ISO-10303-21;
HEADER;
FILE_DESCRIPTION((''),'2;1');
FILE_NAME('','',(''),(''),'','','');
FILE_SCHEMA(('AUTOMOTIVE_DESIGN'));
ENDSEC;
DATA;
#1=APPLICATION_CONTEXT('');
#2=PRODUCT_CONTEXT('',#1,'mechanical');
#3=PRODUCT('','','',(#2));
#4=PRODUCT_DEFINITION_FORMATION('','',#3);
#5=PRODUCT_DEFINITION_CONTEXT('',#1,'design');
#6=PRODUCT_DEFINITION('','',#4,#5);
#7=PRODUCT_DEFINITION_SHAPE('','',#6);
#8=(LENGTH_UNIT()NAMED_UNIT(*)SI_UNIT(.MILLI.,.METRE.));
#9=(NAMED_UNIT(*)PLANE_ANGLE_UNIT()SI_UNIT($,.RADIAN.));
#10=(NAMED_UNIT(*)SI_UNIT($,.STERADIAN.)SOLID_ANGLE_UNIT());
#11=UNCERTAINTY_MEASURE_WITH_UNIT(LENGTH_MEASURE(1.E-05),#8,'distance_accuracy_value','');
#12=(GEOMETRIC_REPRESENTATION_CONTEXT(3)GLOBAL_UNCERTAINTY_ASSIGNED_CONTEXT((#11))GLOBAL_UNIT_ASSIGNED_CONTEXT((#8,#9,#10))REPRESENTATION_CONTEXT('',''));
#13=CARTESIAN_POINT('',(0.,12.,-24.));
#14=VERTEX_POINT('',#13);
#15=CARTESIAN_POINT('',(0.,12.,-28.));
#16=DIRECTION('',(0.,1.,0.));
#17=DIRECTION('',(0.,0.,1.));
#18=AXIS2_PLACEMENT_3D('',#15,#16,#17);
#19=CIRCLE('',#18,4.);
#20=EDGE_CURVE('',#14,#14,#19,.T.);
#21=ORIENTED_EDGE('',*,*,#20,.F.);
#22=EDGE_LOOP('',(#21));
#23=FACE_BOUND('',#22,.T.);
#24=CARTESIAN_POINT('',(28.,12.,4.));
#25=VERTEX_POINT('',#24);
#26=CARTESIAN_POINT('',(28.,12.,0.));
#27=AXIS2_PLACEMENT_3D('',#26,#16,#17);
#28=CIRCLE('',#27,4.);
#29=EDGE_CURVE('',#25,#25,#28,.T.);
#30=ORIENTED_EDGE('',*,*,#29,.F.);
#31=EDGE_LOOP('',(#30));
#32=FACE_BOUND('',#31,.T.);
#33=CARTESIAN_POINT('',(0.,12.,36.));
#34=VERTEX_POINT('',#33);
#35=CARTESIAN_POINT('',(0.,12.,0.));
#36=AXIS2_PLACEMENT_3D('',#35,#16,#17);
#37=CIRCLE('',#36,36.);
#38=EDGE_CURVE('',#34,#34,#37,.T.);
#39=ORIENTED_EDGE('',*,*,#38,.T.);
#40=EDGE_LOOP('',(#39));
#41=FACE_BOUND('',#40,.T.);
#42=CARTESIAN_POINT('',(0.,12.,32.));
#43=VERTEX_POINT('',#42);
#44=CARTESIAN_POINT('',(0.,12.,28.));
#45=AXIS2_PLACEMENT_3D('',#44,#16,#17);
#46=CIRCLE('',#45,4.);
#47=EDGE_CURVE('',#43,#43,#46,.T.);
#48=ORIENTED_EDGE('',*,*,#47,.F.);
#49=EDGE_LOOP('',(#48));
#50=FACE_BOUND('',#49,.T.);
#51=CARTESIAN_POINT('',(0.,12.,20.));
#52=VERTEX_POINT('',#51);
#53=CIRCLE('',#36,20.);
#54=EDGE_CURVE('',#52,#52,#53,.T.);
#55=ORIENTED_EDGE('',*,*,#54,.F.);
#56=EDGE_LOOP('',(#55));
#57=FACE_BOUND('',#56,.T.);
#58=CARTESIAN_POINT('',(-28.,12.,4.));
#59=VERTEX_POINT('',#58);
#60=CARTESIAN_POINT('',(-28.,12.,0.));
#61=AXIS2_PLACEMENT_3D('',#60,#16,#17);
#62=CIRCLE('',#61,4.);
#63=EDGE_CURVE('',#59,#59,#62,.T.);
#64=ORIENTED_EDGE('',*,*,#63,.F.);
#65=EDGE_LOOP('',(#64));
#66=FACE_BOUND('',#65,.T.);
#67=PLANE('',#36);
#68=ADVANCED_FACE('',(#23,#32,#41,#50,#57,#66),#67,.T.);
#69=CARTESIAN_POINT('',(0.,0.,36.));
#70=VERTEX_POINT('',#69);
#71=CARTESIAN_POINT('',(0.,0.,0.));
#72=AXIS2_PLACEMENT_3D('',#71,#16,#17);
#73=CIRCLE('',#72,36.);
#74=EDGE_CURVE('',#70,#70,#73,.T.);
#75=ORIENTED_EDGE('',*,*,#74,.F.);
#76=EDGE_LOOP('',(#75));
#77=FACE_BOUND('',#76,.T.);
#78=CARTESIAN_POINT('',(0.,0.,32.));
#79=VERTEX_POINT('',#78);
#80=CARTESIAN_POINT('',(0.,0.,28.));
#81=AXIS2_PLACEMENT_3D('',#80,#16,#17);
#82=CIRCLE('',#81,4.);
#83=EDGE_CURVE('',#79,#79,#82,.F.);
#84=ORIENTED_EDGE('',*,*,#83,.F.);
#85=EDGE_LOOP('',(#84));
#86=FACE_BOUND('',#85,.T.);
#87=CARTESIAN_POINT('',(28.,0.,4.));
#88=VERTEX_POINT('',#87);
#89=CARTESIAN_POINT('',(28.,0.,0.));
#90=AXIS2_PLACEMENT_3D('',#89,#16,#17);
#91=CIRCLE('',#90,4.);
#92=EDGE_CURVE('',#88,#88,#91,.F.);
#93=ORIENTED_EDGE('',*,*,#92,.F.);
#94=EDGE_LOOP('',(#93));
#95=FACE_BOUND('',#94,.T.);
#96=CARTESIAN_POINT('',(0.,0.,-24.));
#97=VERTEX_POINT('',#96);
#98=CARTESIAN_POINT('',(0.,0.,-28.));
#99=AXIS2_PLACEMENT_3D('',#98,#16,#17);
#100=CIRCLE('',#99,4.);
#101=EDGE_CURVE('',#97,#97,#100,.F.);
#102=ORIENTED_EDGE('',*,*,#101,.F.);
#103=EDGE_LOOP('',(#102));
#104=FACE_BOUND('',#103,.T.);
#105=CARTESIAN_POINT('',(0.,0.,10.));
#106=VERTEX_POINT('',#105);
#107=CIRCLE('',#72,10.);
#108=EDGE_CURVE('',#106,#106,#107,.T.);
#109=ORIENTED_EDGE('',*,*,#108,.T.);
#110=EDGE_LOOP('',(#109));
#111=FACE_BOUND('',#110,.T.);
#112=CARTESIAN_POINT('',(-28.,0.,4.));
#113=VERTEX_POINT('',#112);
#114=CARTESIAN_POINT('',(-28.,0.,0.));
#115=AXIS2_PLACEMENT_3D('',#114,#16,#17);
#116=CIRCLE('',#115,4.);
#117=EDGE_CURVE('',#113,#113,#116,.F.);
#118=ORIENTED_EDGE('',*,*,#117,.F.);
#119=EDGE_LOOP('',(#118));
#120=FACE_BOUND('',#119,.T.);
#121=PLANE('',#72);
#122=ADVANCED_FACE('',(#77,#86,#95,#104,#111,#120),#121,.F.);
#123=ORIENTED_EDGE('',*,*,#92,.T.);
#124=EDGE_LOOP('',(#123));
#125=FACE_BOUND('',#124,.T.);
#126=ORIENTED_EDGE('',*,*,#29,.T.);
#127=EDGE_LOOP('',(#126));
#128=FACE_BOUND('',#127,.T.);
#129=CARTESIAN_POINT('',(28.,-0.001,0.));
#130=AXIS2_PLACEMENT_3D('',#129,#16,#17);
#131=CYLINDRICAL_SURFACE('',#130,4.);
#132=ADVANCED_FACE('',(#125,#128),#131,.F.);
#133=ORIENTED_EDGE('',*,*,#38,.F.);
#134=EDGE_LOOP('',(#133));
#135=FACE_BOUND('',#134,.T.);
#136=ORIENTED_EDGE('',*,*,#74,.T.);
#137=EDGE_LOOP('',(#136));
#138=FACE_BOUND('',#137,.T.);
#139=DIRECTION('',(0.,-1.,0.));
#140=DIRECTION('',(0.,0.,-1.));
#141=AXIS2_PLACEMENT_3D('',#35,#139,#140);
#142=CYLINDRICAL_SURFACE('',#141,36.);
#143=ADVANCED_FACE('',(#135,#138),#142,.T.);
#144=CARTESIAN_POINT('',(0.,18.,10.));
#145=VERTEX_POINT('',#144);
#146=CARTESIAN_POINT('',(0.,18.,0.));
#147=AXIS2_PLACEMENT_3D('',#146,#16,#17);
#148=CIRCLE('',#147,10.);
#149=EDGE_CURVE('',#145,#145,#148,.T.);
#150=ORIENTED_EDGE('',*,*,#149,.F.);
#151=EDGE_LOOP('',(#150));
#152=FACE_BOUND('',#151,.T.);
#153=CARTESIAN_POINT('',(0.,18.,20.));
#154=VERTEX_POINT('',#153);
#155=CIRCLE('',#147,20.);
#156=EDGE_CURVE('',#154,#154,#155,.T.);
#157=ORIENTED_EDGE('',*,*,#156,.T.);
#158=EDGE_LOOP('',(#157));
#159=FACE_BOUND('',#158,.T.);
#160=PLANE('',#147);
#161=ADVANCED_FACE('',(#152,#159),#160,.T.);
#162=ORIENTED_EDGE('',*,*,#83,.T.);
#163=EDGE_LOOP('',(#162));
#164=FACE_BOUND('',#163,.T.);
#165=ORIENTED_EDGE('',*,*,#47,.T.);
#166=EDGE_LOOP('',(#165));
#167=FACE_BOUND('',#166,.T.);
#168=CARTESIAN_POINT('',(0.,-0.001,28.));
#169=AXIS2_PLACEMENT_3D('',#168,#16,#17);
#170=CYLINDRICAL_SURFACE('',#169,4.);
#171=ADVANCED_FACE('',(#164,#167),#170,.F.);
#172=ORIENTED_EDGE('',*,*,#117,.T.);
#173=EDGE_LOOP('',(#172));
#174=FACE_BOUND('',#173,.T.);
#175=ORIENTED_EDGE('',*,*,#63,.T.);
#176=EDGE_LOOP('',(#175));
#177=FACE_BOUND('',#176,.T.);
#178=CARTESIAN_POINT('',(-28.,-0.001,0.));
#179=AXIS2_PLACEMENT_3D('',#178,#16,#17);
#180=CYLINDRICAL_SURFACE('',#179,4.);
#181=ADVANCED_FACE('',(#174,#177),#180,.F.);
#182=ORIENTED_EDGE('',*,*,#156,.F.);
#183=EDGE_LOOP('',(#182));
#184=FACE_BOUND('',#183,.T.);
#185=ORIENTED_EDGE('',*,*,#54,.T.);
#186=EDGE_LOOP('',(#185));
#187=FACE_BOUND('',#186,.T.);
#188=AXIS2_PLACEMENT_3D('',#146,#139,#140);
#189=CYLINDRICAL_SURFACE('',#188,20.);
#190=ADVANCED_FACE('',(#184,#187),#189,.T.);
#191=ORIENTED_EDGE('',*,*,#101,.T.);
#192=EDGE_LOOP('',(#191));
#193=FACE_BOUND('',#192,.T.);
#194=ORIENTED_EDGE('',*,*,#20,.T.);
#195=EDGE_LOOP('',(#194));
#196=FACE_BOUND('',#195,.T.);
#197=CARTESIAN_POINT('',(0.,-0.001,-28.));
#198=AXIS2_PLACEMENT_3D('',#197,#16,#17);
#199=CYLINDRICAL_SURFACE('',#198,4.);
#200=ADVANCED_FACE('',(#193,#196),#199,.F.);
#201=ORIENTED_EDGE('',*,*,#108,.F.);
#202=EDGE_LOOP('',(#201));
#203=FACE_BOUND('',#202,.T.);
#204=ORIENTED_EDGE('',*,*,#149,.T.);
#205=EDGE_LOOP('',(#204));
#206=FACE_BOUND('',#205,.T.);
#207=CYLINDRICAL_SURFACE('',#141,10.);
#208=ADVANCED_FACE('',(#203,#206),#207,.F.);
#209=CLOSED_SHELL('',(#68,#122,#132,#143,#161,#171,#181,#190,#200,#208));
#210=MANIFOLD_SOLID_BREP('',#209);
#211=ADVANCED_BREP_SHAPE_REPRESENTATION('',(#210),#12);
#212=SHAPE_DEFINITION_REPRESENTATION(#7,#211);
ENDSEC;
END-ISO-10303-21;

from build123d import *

# Parameters (mm, degrees)
SKETCH1_R           = 36
SKETCH1_R_2         = 10
BOSS_EXTRUDE1_DEPTH = 12
SKETCH2_R           = 20
SKETCH2_R_2         = 10
BOSS_EXTRUDE2_DEPTH = 6
CUT_EXTRUDE1_REACH  = 54.307
SKETCH3_R           = 4


with BuildPart() as part:
    # Sketch1 → Boss-Extrude1 (new body)
    with BuildSketch(Plane(origin=(0, 0, 0), x_dir=(1, 0, 0), z_dir=(0, 1, 0))):
        with Locations(Location((0, 0, 0), (0, 0, 270))):
            Circle(SKETCH1_R)
        with Locations(Location((0, 0, 0), (0, 0, 270))):
            Circle(SKETCH1_R_2, mode=Mode.SUBTRACT)
    extrude(amount=BOSS_EXTRUDE1_DEPTH)

    # Sketch2 → Boss-Extrude2 (add)
    with BuildSketch(Plane(origin=(0, 12, 0), x_dir=(1, 0, 0), z_dir=(0, 1, 0))):
        with Locations(Location((0, 0, 0), (0, 0, 270))):
            Circle(SKETCH2_R)
        with Locations(Location((0, 0, 0), (0, 0, 270))):
            Circle(SKETCH2_R_2, mode=Mode.SUBTRACT)
    extrude(amount=BOSS_EXTRUDE2_DEPTH)

    # Sketch3 → Cut-Extrude1 (cut, up to next)
    with BuildSketch(Plane(origin=(0, 12, 0), x_dir=(1, 0, 0), z_dir=(0, 1, 0)), mode=Mode.PRIVATE) as cut_extrude1_sk1:
        with Locations(Location((0, -28, 0), (0, 0, 270))):
            Circle(SKETCH3_R)
    cut_extrude1_tool1 = extrude(cut_extrude1_sk1.sketch, amount=-CUT_EXTRUDE1_REACH, mode=Mode.PRIVATE) & part.part
    # Sketch3 → Cut-Extrude1 (cut, up to next)
    with BuildSketch(Plane(origin=(0, 12, 0), x_dir=(1, 0, 0), z_dir=(0, 1, 0)), mode=Mode.PRIVATE) as cut_extrude1_sk2:
        with Locations(Location((-28, 0, 0), (0, 0, 270))):
            Circle(SKETCH3_R)
    cut_extrude1_tool2 = extrude(cut_extrude1_sk2.sketch, amount=-CUT_EXTRUDE1_REACH, mode=Mode.PRIVATE) & part.part
    # Sketch3 → Cut-Extrude1 (cut, up to next)
    with BuildSketch(Plane(origin=(0, 12, 0), x_dir=(1, 0, 0), z_dir=(0, 1, 0)), mode=Mode.PRIVATE) as cut_extrude1_sk3:
        with Locations(Location((0, 28, 0), (0, 0, 270))):
            Circle(SKETCH3_R)
    cut_extrude1_tool3 = extrude(cut_extrude1_sk3.sketch, amount=-CUT_EXTRUDE1_REACH, mode=Mode.PRIVATE) & part.part
    # Sketch3 → Cut-Extrude1 (cut, up to next)
    with BuildSketch(Plane(origin=(0, 12, 0), x_dir=(1, 0, 0), z_dir=(0, 1, 0)), mode=Mode.PRIVATE) as cut_extrude1_sk4:
        with Locations(Location((28, 0, 0), (0, 0, 270))):
            Circle(SKETCH3_R)
    cut_extrude1_tool4 = extrude(cut_extrude1_sk4.sketch, amount=-CUT_EXTRUDE1_REACH, mode=Mode.PRIVATE) & part.part
    add(cut_extrude1_tool1.solids().sort_by_distance((0, 12, 28))[0], mode=Mode.SUBTRACT)
    add(cut_extrude1_tool2.solids().sort_by_distance((-28, 12, 0))[0], mode=Mode.SUBTRACT)
    add(cut_extrude1_tool3.solids().sort_by_distance((0, 12, -28))[0], mode=Mode.SUBTRACT)
    add(cut_extrude1_tool4.solids().sort_by_distance((28, 12, 0))[0], mode=Mode.SUBTRACT)


solid = part.part
